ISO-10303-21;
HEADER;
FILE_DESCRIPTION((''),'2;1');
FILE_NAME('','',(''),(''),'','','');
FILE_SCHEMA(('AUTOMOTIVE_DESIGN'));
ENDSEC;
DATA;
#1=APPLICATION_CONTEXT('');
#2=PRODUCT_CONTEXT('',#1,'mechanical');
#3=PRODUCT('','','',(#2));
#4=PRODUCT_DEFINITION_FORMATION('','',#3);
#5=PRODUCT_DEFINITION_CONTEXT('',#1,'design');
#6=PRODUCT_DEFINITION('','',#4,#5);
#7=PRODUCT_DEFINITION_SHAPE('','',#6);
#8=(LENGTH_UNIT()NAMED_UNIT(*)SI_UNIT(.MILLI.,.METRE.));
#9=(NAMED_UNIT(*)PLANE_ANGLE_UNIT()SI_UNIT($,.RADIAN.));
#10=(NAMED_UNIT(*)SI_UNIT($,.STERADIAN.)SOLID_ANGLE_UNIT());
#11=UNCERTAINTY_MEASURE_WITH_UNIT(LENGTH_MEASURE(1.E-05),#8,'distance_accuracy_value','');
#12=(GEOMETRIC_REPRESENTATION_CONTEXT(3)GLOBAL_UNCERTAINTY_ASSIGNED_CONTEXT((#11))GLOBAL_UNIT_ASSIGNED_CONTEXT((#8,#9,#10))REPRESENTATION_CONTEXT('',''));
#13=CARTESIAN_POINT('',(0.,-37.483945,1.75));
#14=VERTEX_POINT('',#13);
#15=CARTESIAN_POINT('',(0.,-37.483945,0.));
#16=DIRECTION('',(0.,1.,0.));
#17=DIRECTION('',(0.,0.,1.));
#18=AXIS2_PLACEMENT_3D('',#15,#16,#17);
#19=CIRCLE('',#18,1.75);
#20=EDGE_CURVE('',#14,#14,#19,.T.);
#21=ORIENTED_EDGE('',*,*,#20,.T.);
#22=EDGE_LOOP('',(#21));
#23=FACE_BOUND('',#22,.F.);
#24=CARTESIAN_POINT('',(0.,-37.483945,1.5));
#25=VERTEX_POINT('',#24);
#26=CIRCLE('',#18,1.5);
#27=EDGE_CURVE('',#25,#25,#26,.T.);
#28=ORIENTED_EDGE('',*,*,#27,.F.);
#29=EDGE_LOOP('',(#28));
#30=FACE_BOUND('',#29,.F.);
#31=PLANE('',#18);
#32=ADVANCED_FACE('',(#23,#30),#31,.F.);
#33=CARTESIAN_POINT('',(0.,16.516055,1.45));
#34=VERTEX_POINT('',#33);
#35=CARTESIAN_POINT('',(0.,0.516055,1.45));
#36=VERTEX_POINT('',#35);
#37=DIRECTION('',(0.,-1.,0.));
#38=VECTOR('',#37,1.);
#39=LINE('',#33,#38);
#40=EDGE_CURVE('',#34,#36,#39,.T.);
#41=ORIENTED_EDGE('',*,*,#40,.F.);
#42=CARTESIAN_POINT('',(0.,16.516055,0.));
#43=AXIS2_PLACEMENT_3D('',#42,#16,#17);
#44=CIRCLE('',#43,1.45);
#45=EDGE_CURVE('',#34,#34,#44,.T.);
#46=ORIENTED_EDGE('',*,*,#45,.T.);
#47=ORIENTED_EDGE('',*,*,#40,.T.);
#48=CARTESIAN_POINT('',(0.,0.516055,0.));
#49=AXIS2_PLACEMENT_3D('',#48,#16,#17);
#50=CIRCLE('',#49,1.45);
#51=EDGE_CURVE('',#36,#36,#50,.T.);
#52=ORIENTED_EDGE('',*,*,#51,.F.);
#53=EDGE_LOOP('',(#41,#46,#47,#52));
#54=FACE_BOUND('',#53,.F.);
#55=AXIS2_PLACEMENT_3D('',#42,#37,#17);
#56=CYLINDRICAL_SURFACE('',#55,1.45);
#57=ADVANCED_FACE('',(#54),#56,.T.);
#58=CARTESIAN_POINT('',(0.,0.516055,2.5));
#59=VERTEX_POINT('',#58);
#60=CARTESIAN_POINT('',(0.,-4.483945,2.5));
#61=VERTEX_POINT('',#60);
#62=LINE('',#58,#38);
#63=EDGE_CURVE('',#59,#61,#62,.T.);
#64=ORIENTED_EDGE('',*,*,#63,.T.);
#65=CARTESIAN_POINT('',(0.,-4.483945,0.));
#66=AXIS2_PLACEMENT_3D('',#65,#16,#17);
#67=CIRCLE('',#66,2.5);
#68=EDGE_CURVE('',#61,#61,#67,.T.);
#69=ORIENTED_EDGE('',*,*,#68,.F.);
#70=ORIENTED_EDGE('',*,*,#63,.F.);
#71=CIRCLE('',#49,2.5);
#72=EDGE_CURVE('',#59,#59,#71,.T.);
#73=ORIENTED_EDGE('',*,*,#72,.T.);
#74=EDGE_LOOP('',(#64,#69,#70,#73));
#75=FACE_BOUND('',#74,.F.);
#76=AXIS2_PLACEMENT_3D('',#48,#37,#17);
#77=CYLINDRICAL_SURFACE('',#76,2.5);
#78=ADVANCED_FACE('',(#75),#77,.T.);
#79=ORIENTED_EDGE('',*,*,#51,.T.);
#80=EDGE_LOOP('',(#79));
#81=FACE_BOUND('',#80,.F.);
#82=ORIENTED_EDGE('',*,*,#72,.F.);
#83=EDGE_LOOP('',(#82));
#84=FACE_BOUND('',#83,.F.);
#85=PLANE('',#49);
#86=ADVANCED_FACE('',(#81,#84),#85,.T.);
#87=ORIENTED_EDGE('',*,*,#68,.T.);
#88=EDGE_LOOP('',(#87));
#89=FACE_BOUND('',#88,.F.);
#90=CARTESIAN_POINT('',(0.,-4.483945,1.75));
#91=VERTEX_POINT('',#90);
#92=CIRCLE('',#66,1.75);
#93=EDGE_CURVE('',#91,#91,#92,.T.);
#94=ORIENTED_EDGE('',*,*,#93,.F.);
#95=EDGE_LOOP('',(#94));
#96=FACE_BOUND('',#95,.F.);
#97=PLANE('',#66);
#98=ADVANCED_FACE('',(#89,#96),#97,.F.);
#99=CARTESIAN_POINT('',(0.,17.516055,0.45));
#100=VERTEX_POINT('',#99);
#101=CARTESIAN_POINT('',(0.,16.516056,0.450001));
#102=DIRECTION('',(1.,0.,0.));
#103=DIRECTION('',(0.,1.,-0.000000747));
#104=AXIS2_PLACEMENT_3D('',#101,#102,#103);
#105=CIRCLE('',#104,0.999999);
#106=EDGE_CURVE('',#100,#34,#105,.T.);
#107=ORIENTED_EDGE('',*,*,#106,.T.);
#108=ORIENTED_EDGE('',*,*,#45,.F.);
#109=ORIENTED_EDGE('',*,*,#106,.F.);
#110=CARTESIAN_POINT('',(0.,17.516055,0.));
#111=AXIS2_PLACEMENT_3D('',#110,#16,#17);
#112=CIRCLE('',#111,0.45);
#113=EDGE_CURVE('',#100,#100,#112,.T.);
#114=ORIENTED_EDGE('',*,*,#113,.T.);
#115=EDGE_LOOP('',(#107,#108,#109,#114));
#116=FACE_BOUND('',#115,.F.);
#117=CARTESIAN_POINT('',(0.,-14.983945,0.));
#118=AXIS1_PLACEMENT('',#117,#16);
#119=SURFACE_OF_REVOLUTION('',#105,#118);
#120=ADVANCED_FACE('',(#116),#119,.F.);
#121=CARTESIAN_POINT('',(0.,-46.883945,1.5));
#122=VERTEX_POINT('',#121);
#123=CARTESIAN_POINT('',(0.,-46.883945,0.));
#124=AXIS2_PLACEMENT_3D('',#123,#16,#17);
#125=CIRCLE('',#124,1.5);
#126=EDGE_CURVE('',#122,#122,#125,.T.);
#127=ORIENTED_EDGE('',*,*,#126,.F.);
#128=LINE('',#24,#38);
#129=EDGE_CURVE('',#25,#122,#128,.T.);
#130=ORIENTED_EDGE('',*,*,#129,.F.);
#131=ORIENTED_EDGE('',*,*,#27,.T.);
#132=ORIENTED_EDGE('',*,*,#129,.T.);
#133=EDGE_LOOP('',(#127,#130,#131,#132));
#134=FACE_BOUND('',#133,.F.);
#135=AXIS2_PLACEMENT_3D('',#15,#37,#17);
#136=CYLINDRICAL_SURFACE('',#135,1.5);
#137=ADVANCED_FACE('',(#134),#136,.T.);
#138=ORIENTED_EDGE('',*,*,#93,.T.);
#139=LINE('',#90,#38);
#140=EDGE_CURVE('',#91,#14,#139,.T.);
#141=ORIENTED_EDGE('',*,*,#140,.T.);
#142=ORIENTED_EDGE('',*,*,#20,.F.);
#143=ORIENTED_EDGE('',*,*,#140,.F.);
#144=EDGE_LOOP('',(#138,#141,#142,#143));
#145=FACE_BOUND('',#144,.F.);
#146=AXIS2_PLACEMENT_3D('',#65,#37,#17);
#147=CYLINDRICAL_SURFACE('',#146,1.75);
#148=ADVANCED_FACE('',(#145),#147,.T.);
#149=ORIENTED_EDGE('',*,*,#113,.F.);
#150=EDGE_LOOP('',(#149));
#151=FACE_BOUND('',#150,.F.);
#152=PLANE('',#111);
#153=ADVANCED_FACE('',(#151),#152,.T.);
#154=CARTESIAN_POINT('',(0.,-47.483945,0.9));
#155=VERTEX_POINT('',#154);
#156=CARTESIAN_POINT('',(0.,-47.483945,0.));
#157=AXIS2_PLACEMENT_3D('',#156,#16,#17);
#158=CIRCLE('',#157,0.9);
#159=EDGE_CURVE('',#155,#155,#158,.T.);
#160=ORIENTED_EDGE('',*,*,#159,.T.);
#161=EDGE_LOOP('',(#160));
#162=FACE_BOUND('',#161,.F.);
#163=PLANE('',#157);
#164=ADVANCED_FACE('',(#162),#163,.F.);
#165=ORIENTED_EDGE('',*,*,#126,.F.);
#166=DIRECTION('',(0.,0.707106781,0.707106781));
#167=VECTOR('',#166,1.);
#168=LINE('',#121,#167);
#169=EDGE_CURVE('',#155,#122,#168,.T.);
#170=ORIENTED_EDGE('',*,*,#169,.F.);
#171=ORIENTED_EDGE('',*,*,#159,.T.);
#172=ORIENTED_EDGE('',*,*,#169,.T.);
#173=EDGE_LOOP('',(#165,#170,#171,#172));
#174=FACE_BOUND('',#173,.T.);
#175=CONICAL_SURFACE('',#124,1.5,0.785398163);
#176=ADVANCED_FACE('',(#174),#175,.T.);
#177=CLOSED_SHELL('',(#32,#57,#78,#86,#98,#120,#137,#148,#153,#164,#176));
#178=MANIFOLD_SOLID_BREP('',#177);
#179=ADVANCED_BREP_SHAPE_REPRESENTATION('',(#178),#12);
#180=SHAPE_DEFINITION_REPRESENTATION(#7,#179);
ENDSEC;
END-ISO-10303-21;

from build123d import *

# Parameters (mm, degrees)
F2_SIZE = 0.6


with BuildPart() as f1:
    # F0 (on Right) → F1 (revolve)
    with BuildSketch(Plane.YZ):
        with BuildLine():
            Line((-47.483945, 1.5), (-47.483945, 0))
            Line((-47.483945, 0), (17.516055, 0))
            Line((17.516055, 0), (17.516055, 0.45))
            ThreePointArc((17.516055, 0.45), (17.223162, 1.157107), (16.516055, 1.45))
            Line((16.516055, 1.45), (0.516055, 1.45))
            Line((0.516055, 1.45), (0.516055, 2.5))
            Line((0.516055, 2.5), (-4.483945, 2.5))
            Line((-4.483945, 2.5), (-4.483945, 1.75))
            Line((-4.483945, 1.75), (-37.483945, 1.75))
            Line((-37.483945, 1.75), (-37.483945, 1.5))
            Line((-37.483945, 1.5), (-47.483945, 1.5))
        make_face()
    revolve(axis=Axis((0, -14.983945, 0), (0, 1, 0)))

    # F2
    f2_edges = [f1.edges().sort_by_distance(p)[0] for p in [
        (0, -47.483945, -1.5),
    ]]
    chamfer(f2_edges, length=F2_SIZE)


solid = f1.part
